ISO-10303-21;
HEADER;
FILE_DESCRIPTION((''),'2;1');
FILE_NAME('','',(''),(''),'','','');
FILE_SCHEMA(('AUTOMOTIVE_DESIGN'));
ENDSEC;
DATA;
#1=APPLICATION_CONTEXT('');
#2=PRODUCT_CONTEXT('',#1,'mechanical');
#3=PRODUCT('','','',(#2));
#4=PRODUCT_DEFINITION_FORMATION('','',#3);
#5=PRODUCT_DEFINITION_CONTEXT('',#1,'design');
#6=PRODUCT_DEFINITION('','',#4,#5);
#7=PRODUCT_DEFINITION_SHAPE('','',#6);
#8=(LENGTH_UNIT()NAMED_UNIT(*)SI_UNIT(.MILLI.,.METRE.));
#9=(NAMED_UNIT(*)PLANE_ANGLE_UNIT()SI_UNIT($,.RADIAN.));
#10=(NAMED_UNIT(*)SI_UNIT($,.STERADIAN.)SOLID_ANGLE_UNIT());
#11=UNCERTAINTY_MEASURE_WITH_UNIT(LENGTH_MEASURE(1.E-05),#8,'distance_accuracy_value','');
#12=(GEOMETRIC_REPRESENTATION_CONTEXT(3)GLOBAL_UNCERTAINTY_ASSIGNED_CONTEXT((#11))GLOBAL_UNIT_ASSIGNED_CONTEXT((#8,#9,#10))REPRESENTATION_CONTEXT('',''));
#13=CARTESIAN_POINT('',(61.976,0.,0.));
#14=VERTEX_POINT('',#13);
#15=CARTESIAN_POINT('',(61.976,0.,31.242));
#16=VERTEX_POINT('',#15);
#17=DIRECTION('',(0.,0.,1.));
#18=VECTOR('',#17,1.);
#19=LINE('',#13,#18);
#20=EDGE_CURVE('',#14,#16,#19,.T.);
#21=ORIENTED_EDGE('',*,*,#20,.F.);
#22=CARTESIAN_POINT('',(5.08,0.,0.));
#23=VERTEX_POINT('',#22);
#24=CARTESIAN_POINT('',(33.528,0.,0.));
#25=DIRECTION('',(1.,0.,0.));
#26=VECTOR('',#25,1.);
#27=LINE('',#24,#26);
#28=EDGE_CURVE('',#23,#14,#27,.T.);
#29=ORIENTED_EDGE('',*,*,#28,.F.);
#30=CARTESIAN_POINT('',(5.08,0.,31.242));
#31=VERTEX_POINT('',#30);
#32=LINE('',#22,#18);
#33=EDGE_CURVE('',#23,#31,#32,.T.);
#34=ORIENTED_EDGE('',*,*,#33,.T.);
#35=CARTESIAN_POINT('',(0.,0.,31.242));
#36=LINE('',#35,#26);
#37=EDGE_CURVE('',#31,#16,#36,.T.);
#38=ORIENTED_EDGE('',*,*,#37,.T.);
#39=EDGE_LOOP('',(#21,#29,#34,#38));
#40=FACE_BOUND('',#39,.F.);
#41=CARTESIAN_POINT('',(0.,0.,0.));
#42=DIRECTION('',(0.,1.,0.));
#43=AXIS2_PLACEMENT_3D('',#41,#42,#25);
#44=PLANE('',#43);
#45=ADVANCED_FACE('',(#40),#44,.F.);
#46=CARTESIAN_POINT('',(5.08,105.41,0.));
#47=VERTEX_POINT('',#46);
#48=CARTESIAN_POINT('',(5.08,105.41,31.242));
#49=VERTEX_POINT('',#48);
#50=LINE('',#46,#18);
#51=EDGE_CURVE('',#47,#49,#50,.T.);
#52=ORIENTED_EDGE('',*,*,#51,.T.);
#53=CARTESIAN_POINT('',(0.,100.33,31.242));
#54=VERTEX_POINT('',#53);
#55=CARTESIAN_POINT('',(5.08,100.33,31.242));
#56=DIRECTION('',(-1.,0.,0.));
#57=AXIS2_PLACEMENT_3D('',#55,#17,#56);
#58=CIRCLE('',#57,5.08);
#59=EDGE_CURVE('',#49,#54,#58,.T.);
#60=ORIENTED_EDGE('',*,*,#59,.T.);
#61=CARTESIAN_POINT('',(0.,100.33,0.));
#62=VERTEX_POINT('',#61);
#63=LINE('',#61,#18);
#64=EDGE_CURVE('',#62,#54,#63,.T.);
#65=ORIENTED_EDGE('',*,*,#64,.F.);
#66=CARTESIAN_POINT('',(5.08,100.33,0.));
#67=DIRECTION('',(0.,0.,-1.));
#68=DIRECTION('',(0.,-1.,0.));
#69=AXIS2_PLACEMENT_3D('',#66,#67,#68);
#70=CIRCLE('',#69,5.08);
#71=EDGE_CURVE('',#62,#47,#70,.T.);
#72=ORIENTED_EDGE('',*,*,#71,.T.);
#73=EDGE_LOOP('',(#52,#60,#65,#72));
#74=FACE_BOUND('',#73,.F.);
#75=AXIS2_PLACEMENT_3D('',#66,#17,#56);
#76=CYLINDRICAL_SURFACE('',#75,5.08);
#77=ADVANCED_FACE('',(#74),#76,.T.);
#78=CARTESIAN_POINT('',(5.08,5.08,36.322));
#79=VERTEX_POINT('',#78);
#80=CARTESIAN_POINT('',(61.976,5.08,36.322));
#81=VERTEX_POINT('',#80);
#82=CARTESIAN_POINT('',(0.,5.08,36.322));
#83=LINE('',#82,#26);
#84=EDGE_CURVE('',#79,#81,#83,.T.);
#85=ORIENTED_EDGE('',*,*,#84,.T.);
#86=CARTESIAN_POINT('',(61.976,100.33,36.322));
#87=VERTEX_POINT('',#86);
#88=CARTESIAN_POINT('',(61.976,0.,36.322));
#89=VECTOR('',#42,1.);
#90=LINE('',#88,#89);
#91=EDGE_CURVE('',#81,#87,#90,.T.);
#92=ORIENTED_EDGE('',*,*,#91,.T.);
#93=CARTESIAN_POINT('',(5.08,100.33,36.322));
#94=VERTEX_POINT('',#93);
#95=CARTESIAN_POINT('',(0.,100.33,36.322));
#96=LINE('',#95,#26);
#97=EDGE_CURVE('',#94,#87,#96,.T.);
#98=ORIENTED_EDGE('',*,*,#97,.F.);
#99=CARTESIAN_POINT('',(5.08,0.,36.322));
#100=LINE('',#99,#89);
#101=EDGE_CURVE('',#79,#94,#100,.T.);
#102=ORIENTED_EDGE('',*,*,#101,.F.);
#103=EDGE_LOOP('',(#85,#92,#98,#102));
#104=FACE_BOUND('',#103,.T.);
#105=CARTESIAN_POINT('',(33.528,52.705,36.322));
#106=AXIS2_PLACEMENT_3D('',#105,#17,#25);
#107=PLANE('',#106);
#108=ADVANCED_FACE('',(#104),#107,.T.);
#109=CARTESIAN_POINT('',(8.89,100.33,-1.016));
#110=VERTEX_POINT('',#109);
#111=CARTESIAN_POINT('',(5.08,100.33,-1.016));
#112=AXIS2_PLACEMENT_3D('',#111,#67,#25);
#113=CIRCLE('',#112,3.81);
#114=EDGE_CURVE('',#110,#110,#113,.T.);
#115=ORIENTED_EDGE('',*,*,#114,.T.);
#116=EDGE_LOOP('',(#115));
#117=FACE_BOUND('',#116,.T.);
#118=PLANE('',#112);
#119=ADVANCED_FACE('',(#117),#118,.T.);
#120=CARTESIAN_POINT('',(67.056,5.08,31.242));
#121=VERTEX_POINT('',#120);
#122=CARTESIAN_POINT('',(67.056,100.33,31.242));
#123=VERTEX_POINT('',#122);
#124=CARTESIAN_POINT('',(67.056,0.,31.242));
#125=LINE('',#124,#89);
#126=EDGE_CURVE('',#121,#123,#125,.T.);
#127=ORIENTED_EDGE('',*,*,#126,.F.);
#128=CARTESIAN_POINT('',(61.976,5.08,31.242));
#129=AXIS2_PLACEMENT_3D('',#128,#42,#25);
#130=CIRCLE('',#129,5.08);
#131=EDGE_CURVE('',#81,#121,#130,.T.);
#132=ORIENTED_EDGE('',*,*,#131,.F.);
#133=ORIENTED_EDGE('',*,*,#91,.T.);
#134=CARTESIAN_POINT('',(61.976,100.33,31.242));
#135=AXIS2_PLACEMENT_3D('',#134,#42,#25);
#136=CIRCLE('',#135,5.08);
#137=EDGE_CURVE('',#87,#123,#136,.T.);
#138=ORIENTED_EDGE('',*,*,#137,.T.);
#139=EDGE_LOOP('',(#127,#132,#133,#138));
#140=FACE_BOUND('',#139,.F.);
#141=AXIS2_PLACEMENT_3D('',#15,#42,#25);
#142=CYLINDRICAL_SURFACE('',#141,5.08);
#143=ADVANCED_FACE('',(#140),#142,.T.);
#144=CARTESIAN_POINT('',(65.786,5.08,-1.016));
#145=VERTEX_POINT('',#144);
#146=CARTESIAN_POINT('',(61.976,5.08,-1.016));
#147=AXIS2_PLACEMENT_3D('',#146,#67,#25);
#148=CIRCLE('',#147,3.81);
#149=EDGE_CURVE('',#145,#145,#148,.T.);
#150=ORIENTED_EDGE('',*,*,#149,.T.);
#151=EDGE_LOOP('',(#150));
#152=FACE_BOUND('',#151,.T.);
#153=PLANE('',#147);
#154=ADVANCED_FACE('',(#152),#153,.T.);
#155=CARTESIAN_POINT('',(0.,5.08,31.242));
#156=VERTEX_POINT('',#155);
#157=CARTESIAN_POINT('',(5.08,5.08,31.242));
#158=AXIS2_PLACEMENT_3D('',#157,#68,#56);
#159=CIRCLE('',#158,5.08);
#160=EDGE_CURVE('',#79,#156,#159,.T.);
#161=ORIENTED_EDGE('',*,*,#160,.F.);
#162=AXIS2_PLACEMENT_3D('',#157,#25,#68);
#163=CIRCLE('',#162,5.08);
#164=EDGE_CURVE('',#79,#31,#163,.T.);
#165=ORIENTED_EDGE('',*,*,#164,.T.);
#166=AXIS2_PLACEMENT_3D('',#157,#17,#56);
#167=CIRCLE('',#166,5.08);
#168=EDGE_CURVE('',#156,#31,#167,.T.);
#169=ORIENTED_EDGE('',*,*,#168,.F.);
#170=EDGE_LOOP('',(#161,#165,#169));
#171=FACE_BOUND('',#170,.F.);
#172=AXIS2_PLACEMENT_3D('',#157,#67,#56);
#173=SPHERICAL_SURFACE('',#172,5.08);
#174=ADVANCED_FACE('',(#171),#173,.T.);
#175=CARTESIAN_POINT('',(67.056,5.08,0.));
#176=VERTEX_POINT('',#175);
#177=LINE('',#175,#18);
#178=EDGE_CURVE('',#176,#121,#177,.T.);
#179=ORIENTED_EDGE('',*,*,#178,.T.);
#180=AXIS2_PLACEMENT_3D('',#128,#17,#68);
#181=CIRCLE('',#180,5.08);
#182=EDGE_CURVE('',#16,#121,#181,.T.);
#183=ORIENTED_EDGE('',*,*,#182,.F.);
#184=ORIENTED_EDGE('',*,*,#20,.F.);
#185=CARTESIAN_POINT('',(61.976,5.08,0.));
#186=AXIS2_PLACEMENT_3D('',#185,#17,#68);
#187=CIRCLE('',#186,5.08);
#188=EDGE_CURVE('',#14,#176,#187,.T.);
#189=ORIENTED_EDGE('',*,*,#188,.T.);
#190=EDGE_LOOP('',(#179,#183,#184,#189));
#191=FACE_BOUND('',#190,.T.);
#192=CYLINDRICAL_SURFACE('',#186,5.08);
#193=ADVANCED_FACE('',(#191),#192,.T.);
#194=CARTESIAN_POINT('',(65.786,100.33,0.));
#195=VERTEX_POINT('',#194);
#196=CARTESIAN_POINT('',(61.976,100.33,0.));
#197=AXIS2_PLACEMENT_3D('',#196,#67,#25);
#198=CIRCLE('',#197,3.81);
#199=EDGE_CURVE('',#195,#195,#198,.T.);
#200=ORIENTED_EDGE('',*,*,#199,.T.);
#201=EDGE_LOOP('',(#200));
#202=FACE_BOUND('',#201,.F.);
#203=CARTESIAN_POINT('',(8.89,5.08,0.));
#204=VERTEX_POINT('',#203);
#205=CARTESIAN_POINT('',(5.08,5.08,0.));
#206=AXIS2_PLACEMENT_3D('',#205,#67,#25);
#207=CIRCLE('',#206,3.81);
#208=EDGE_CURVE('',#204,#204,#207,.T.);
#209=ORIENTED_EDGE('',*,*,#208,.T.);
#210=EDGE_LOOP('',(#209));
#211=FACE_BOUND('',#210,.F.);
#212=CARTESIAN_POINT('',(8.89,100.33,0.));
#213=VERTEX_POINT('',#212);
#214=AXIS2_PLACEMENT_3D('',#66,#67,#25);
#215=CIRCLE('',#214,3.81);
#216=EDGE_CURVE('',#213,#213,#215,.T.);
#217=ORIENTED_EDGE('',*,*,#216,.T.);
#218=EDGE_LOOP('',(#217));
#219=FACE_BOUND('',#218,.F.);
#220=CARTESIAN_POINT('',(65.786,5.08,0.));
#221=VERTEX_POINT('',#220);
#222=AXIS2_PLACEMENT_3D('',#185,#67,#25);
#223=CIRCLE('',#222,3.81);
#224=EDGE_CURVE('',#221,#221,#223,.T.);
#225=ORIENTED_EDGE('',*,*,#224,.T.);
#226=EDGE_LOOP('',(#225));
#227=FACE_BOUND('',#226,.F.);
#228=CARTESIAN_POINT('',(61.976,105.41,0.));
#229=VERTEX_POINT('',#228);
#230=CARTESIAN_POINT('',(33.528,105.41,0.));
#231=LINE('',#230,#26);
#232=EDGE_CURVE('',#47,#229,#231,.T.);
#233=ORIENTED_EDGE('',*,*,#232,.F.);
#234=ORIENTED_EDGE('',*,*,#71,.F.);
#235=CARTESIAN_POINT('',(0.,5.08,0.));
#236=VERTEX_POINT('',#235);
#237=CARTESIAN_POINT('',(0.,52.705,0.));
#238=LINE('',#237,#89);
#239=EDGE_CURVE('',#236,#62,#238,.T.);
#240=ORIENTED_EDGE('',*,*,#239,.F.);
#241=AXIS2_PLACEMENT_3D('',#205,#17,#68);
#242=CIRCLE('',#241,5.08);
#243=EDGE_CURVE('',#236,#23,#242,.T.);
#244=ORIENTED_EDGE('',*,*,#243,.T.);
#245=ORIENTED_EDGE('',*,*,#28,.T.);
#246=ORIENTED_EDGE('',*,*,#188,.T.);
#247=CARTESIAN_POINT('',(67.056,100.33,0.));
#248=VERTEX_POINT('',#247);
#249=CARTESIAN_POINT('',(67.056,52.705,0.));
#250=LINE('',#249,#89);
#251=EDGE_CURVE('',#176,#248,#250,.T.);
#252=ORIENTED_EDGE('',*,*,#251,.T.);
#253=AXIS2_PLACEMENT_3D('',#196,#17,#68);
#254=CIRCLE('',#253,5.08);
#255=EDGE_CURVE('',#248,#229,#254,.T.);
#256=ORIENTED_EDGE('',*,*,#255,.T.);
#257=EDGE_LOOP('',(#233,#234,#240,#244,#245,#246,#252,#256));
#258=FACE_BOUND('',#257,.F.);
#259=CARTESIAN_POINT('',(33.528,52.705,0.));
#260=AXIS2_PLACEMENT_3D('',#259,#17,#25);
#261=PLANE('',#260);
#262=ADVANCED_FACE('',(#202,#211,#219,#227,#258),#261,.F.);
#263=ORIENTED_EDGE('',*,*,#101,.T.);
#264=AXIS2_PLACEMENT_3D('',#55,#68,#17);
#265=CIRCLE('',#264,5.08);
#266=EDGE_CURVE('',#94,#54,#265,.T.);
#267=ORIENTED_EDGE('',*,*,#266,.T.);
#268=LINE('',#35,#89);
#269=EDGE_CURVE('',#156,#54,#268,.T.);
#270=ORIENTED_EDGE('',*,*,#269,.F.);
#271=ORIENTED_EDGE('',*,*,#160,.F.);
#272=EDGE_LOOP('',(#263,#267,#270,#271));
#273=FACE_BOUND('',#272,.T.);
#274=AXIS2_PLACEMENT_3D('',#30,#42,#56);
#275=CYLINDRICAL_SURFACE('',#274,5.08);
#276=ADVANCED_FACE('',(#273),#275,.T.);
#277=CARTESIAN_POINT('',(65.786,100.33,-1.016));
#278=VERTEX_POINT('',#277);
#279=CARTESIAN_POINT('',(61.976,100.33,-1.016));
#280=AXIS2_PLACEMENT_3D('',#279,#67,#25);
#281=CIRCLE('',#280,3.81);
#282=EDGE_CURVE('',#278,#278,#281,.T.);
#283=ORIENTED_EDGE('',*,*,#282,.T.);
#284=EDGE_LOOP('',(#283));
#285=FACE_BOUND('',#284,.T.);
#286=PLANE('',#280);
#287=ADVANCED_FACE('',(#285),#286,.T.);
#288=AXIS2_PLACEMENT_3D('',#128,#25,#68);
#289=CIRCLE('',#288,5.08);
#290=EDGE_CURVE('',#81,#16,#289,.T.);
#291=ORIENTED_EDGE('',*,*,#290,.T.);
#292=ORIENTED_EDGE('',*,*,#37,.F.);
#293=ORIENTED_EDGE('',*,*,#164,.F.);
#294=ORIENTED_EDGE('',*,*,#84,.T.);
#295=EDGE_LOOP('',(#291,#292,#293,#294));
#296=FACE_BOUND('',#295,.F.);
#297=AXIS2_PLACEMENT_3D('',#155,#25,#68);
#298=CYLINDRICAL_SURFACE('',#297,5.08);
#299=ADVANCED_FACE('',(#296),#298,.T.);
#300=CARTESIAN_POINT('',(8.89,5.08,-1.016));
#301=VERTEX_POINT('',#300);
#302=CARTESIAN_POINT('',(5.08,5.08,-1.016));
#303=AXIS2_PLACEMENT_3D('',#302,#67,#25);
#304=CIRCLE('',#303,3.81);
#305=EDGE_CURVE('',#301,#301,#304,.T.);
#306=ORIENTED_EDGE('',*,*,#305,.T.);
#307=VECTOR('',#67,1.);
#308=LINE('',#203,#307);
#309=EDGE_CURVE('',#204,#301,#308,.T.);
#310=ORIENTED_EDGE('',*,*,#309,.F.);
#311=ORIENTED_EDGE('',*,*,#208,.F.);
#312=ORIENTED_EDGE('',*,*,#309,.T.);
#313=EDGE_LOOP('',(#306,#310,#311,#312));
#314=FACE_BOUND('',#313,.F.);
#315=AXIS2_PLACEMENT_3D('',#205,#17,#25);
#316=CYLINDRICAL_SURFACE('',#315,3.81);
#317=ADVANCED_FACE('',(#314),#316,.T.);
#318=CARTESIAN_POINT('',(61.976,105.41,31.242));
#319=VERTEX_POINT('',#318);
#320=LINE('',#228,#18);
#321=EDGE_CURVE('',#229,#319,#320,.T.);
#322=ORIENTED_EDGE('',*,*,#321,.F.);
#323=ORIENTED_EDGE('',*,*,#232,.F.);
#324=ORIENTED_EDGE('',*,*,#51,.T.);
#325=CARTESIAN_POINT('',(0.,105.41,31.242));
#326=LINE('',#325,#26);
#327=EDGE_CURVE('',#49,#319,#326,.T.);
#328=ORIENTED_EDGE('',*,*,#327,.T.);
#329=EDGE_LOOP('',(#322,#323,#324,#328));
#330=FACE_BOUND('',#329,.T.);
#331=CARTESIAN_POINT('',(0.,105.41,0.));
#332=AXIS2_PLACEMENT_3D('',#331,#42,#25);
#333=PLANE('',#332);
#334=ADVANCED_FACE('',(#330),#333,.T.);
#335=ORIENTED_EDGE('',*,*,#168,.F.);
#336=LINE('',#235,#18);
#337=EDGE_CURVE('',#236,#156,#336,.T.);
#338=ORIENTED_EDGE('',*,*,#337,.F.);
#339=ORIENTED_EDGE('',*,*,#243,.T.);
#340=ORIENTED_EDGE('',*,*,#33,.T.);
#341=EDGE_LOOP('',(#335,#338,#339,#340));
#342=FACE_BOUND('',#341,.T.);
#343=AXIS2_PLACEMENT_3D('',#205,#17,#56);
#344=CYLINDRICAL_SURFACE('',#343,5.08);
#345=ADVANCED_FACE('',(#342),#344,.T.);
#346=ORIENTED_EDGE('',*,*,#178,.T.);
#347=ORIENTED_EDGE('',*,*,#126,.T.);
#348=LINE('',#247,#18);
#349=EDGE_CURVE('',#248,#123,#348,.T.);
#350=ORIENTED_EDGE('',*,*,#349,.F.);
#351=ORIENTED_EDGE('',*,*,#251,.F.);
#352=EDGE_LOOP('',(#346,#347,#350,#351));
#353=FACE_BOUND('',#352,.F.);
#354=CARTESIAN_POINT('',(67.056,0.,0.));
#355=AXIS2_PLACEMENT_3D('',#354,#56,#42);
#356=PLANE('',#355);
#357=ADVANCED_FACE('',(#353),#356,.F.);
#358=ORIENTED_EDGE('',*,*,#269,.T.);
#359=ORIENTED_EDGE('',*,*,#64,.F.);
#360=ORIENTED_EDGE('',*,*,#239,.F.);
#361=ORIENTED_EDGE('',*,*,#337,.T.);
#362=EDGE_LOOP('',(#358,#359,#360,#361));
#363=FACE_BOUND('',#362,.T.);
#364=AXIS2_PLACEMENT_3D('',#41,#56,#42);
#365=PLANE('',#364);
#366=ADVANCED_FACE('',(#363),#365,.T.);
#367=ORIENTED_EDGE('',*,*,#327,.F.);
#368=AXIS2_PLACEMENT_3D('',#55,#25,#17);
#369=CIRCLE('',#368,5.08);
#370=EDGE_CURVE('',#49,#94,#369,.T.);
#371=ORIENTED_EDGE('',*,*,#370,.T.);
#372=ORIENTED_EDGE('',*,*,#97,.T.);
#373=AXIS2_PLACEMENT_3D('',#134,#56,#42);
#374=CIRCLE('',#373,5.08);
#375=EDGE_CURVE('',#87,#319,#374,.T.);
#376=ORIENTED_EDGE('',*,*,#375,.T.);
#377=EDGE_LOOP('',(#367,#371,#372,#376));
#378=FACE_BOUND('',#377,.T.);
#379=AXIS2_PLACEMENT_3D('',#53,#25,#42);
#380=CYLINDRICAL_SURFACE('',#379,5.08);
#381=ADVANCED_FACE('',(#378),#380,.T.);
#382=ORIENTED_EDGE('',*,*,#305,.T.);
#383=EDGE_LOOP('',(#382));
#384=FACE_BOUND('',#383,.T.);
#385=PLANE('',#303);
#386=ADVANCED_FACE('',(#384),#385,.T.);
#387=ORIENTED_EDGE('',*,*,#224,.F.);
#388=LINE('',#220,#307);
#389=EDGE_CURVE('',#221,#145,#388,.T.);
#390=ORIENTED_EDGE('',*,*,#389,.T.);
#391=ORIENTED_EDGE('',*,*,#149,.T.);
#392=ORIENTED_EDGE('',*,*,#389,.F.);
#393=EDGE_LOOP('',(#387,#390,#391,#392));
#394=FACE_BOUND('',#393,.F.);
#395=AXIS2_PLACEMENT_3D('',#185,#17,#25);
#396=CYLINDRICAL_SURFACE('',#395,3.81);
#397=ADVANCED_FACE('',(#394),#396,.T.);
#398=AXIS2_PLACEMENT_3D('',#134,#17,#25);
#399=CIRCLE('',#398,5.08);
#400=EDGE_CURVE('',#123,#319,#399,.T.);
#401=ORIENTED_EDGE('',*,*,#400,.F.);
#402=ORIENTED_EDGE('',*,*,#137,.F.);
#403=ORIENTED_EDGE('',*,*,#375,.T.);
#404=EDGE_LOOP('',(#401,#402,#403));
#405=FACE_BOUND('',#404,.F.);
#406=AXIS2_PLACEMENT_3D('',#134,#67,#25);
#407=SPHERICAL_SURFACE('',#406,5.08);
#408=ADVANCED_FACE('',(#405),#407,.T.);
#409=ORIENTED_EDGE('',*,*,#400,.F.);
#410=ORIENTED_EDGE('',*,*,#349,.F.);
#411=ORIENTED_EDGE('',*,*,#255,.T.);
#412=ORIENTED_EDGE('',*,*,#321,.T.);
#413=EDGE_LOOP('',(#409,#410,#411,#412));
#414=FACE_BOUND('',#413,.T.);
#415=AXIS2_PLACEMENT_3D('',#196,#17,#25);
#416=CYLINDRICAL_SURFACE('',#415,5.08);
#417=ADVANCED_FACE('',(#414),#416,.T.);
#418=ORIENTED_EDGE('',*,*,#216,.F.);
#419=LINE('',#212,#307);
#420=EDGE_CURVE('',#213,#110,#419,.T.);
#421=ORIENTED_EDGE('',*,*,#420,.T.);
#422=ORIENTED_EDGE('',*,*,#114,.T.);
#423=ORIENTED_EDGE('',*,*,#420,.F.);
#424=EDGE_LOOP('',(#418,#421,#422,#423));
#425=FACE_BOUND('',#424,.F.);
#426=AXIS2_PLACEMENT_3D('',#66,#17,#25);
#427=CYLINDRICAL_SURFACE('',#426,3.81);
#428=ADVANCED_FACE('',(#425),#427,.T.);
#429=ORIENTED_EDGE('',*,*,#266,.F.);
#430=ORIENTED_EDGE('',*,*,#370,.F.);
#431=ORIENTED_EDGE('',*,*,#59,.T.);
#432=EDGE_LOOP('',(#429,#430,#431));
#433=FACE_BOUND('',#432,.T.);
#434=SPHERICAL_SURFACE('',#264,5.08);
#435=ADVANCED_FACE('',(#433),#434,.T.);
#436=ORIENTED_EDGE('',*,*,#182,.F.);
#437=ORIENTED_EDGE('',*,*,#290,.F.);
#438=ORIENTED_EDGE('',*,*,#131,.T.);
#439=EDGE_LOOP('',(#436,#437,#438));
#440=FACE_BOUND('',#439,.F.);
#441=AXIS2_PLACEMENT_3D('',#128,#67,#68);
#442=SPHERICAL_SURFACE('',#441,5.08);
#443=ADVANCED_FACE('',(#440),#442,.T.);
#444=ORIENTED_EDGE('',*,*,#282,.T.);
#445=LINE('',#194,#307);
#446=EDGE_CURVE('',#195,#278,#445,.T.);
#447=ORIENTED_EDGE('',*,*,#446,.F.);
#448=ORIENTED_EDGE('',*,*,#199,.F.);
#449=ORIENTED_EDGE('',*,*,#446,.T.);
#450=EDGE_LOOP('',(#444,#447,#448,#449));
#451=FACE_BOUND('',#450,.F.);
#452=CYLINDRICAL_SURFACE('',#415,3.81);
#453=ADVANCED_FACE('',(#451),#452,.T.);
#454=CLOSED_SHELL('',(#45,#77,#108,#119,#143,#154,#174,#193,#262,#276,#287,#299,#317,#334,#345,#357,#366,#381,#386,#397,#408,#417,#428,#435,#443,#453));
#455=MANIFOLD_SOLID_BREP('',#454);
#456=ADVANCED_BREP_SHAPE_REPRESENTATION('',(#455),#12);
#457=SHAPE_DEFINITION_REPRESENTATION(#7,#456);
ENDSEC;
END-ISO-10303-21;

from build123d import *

# Parameters (mm, degrees)
F0_W     = 67.056
F0_H     = 105.41
F1_DEPTH = 36.322
F2_R     = 5.08
F3_R     = 3.81
F4_DEPTH = 1.016


with BuildPart() as f1:
    # F0 (on Top) → F1 (new body)
    with BuildSketch(Plane.XY):
        with Locations((33.528, 52.705)):
            Rectangle(F0_W, F0_H)
    extrude(amount=F1_DEPTH)

    # F2
    f2_edges = [f1.edges().sort_by_distance(p)[0] for p in [
        (0, 0, 18.161),
        (67.056, 0, 18.161),
        (67.056, 105.41, 18.161),
        (0, 52.705, 36.322),
        (33.528, 0, 36.322),
        (67.056, 52.705, 36.322),
        (33.528, 105.41, 36.322),
        (0, 105.41, 18.161),
    ]]
    fillet(f2_edges, radius=F2_R)

    # F3 (on face) → F4 (join)
    with BuildSketch(Plane(origin=(0, 0, 0), x_dir=(1, 0, 0), z_dir=(0, 0, -1))):
        with Locations((5.08, -5.08)):
            Circle(F3_R)
        with Locations((61.976, -5.08)):
            Circle(F3_R)
        with Locations((5.08, -100.33)):
            Circle(F3_R)
        with Locations((61.976, -100.33)):
            Circle(F3_R)
    extrude(amount=F4_DEPTH)


solid = f1.part
